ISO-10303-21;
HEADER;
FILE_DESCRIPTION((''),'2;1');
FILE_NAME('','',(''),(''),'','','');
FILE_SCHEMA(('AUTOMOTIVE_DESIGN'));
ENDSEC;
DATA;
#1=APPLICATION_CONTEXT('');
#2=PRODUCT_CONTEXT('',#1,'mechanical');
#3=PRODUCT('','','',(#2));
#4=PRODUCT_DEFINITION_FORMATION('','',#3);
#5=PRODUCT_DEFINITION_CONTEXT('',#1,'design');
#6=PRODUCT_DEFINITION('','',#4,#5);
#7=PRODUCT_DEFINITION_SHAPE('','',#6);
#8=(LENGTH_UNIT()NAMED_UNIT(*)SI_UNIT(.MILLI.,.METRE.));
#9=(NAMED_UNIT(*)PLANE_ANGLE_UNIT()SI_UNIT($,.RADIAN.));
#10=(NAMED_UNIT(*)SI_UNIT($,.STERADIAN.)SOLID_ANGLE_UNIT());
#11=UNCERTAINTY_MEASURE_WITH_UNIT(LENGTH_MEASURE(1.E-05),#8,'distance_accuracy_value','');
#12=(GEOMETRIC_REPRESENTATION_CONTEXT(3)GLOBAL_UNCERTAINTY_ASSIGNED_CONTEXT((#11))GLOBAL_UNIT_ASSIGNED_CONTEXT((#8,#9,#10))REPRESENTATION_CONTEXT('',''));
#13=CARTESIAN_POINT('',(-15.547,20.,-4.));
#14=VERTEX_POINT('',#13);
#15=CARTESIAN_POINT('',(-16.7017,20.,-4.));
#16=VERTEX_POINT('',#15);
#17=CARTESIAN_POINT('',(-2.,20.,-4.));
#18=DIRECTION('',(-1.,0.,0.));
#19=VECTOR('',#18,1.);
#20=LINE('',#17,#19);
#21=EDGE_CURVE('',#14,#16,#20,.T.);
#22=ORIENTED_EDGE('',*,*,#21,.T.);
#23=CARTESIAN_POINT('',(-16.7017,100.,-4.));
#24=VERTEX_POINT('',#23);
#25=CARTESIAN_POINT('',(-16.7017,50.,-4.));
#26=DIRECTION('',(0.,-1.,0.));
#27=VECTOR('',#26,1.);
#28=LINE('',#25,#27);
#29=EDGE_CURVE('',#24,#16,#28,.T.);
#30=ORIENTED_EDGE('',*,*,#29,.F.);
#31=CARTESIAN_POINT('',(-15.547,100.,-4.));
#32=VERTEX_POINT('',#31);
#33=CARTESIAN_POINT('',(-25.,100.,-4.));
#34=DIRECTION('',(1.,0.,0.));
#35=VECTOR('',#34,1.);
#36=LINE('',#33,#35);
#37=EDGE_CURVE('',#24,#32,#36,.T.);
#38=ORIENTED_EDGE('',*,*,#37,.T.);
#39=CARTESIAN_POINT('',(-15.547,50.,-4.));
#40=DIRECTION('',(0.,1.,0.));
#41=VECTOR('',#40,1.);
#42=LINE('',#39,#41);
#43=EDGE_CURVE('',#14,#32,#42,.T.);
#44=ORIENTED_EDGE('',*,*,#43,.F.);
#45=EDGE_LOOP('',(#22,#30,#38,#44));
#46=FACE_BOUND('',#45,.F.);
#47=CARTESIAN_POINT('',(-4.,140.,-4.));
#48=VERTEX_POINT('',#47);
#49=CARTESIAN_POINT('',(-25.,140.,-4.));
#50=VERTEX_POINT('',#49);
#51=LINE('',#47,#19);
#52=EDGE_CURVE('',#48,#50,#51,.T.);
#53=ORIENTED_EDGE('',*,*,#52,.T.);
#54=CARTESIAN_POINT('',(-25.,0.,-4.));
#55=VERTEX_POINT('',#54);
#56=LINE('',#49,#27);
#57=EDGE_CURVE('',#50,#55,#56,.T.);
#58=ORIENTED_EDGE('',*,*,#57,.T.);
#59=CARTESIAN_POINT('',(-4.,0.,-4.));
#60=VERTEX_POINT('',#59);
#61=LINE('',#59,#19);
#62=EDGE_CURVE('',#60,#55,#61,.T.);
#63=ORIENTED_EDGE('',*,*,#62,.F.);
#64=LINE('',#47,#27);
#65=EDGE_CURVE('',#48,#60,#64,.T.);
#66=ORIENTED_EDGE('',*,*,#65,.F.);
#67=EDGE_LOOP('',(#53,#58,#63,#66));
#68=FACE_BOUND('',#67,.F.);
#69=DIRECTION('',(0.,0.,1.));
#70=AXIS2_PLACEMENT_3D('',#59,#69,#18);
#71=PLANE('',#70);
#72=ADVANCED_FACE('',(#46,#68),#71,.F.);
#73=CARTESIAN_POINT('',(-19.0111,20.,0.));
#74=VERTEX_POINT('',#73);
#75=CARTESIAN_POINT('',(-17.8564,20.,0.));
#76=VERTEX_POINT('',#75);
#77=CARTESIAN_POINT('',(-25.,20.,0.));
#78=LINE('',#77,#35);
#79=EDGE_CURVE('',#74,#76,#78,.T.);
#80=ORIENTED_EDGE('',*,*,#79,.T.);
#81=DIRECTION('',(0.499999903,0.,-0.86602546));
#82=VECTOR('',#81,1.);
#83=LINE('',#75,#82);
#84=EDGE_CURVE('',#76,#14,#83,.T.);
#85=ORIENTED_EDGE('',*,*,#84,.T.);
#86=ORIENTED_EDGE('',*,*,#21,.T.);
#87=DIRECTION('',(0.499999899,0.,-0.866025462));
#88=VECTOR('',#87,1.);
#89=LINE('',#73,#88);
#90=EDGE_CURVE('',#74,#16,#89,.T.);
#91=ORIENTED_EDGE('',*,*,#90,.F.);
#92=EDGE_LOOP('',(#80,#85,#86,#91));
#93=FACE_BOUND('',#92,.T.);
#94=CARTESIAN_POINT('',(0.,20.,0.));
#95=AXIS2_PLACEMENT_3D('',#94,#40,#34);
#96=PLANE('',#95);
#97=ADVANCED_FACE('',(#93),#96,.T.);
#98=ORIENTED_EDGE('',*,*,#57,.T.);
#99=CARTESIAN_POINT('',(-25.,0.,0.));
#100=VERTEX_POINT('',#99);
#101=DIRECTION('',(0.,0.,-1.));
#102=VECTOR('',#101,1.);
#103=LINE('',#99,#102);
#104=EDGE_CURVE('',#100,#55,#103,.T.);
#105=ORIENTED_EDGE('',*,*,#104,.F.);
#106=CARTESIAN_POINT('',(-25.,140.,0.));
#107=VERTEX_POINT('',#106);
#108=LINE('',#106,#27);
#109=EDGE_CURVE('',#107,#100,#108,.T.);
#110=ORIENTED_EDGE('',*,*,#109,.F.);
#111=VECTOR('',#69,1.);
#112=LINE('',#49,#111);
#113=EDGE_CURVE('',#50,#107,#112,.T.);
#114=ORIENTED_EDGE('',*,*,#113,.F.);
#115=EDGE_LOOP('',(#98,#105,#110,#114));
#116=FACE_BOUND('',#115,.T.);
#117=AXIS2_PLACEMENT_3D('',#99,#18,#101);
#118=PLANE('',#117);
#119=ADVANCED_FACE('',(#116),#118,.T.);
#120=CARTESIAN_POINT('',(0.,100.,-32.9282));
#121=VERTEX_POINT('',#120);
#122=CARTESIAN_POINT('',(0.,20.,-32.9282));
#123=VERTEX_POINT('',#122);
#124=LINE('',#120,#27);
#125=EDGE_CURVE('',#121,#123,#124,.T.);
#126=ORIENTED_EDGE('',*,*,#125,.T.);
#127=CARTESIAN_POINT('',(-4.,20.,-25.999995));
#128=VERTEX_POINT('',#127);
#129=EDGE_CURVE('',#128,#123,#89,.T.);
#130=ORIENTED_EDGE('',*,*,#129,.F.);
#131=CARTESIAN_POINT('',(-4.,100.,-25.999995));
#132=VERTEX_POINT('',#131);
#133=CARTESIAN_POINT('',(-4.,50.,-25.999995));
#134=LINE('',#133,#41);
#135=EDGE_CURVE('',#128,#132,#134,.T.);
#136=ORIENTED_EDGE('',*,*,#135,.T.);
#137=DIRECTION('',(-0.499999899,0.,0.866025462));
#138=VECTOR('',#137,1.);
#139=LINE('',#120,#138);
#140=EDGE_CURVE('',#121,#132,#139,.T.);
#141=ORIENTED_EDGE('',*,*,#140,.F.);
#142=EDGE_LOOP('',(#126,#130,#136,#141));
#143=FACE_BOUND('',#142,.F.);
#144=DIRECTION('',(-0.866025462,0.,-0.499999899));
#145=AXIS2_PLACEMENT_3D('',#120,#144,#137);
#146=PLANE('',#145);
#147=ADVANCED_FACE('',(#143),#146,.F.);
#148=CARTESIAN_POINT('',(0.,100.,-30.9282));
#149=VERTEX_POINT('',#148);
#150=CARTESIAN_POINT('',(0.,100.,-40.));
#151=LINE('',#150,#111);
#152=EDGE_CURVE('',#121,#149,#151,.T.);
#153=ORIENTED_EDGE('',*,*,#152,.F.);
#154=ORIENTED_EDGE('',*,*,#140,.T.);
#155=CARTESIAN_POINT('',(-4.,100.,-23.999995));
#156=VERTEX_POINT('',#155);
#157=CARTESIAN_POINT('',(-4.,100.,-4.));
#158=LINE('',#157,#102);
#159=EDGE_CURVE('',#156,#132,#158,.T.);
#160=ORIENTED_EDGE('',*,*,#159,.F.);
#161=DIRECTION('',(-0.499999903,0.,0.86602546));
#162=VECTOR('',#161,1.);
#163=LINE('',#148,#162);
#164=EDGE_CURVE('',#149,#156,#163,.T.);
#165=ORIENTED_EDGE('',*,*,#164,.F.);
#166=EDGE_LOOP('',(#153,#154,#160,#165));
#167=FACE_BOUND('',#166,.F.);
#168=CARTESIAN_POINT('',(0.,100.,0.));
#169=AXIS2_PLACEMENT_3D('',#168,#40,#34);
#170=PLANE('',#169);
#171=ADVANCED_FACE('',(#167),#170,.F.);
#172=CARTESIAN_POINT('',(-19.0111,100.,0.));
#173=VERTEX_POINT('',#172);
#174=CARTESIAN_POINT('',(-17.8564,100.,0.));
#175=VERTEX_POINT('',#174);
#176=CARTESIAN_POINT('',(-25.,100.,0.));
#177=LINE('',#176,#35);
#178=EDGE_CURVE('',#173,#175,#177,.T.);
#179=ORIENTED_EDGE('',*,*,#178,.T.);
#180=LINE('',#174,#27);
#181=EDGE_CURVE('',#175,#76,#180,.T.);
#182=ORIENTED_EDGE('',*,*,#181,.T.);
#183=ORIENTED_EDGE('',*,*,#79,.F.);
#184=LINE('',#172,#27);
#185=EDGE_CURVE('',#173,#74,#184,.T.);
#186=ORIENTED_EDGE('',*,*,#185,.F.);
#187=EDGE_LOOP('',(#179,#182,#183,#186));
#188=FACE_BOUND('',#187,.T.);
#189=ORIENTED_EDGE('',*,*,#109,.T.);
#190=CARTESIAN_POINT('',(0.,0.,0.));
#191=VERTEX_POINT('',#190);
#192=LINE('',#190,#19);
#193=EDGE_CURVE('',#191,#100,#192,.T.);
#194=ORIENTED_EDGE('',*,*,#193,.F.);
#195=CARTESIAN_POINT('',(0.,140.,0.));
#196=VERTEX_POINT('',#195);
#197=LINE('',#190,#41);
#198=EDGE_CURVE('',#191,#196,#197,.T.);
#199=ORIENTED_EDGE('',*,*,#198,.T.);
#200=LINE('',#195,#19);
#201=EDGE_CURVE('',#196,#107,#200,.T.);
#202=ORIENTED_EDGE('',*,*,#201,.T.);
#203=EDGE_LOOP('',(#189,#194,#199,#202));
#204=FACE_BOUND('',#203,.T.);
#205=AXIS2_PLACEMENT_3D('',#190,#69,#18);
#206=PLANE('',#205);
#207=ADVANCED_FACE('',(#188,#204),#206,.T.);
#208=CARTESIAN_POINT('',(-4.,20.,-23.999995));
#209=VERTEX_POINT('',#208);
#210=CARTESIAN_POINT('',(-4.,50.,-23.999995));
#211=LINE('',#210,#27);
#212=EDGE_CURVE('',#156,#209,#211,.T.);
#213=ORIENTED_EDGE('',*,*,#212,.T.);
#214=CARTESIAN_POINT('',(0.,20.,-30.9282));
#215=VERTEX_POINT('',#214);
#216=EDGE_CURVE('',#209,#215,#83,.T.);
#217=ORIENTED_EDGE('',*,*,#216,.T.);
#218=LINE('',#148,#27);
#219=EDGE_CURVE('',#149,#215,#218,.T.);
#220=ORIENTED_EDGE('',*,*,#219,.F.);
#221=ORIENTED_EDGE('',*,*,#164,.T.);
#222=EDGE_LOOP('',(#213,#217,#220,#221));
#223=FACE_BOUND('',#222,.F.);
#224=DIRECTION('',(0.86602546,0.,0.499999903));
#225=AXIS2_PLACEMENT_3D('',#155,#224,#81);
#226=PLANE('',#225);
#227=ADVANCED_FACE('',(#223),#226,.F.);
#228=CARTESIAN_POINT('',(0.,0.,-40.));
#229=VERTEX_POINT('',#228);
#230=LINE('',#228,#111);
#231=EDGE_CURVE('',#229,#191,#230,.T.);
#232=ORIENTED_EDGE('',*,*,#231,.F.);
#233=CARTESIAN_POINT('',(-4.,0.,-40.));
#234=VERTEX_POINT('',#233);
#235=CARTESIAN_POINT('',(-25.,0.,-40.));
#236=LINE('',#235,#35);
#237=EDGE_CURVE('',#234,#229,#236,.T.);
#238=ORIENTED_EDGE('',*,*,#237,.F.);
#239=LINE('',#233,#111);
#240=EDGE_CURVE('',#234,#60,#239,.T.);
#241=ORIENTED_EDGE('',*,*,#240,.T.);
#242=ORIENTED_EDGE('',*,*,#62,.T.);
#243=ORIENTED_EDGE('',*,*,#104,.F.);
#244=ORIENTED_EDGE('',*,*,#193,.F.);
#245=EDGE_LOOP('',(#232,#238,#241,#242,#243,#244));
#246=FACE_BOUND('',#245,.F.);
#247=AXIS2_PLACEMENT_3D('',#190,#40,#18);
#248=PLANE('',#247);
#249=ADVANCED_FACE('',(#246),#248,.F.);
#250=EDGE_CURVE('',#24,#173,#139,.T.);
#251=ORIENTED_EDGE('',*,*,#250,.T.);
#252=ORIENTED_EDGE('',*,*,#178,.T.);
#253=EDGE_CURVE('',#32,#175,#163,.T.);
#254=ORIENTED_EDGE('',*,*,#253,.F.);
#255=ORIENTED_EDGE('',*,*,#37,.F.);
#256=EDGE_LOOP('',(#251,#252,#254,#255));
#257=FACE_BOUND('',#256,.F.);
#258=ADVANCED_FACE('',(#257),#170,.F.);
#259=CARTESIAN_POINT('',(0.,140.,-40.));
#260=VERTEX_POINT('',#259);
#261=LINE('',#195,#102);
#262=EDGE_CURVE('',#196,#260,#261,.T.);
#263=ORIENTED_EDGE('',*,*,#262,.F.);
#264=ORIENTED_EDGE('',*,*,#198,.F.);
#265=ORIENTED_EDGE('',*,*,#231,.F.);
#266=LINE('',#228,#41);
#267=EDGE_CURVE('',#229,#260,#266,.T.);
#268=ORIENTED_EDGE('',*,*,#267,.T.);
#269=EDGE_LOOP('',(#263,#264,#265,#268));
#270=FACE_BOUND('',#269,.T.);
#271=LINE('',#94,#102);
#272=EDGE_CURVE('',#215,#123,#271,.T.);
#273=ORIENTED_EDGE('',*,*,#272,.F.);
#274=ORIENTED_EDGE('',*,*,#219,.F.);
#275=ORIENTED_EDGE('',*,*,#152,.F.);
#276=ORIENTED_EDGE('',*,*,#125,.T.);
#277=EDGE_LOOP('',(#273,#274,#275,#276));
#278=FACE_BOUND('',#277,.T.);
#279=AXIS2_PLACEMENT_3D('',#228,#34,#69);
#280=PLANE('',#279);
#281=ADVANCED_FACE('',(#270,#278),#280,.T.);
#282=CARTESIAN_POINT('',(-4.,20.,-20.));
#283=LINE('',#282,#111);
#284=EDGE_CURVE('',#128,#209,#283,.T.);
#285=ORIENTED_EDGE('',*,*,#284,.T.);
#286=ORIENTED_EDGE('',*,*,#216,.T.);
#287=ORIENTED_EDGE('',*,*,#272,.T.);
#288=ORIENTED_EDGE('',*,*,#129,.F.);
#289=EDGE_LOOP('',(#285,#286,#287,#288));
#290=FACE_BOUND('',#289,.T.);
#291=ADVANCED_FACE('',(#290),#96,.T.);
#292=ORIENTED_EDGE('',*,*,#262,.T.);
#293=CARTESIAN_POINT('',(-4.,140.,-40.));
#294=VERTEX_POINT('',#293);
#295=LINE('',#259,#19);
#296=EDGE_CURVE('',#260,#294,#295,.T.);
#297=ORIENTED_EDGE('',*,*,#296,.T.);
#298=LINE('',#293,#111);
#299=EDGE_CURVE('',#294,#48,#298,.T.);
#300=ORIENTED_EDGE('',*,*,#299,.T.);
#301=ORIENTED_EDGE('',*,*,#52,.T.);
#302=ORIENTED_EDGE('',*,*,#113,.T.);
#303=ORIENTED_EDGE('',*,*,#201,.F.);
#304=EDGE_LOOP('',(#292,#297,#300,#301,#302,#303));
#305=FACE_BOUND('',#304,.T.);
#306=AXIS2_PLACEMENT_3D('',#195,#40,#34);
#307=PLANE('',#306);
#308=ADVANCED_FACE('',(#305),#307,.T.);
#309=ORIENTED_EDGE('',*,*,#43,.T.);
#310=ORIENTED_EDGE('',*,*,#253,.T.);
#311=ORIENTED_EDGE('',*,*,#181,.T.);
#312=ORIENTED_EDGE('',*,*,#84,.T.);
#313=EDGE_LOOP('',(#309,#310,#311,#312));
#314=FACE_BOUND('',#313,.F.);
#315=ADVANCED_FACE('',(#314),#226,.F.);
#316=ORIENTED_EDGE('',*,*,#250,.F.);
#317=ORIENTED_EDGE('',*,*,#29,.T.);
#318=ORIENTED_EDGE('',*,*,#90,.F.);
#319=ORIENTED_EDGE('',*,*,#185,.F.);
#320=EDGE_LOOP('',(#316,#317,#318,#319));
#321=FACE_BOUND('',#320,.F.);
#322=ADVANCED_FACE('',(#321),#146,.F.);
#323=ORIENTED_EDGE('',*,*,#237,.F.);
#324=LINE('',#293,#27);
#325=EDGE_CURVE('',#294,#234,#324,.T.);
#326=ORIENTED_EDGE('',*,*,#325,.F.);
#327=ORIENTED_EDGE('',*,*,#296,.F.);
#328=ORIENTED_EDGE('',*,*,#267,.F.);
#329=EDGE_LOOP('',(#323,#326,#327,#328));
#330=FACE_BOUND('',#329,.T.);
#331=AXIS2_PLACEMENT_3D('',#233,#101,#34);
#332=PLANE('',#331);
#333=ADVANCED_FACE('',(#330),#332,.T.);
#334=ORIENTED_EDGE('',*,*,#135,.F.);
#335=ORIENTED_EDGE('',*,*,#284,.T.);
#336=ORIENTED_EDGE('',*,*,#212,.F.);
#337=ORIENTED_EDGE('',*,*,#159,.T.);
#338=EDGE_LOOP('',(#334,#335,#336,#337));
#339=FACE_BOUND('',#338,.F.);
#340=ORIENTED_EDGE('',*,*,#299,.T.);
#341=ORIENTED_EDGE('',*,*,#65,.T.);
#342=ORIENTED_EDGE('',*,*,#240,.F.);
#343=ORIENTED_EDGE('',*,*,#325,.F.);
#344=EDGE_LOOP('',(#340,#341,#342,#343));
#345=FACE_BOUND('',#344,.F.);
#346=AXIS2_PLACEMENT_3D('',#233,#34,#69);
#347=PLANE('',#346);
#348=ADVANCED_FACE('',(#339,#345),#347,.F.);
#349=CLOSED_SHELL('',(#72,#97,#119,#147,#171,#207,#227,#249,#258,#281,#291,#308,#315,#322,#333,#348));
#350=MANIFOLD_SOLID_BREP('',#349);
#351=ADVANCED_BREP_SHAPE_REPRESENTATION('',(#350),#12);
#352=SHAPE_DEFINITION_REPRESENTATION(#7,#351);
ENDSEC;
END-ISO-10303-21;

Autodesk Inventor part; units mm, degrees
ref_plane "YZ Plane" through (0, 0, 0) normal (1, 0, 0) x (0, 1, 0)
ref_plane "XZ Plane" through (0, 0, 0) normal (0, 1, 0) x (-1, 0, 0)
ref_plane "XY Plane" through (0, 0, 0) normal (0, 0, 1) x (1, 0, 0)
sketch "Sketch1" plane through (0, 0, 0) normal (0, 1, 0) x (-1, 0, 0)
  line L0 (0, 0) -> (25, 0)
  line L1 (25, 0) -> (25, -40)
  line L2 (25, -40) -> (0, -40)
  line L3 (0, -40) -> (0, 0)
  line L4 (25, -40) -> (4, -40)
  line L5 (4, -40) -> (4, -4)
  line L6 (4, -4) -> (25, -4)
  line L7 (25, -4) -> (25, -40)
  point P0 (25, -4)
  dimension "d0" = 4
  dimension "d1" = 4
  dimension "d2" = 40
  dimension "d3" = 25
extrude "Extrusion1" add sketch "Sketch1" along normal blind 100 contours L0 L1 L6 L5 L2 L3
sketch "Sketch2" plane through (0, 100, 0) normal (0, 1, 0) x (1, 0, 0)
  line L0 (0, 0) -> (0, 40) projected
  line L1 (0, 40) -> (-4, 40) projected
  line L2 (-4, 40) -> (-4, 4) projected
  line L3 (-4, 4) -> (-25, 4) projected
  line L4 (-25, 4) -> (-25, 0) projected
  line L5 (-25, 0) -> (0, 0) projected
  line L6 (-25, 0) -> (0, 0) projected
  line L7 (-17.8564, 0) -> (0, 30.9282)
  line L8 (0, 0) -> (0, 40) projected
  line L9 (0, 32.9282) -> (-19.0111, 0)
  line L10 (-4, 40) -> (-4, 4) projected
  point P0 (-16.7017, 4)
  point P1 (-19.0111, 0)
  point P2 (-17.8564, 0)
  point P3 (-15.547, 4)
  point P4 (0, 32.9282)
  point P5 (-4, 26)
  point P6 (-4, 24)
  point P7 (0, 30.9282)
  point P8 (-4, 24)
  dimension "d7" = 30
  dimension "d8" = 1
  dimension "d11" = 20
extrude "Extrusion2" cut sketch "Sketch2" against normal blind 80 contours L7 L2 L9 L0 | L5 L9 L3 L7 | L7 L3 L9 L2
sketch "Sketch3" plane through (0, 100, 0) normal (0, 1, 0) x (1, 0, 0)
  line L0 (-19.0111, 0) -> (-16.7017, 4) projected
  line L1 (-16.7017, 4) -> (-25, 4) projected
  line L2 (-25, 4) -> (-25, 0) projected
  line L3 (-25, 0) -> (-19.0111, 0) projected
  line L4 (-15.547, 4) -> (-17.8564, 0) projected
  line L5 (-17.8564, 0) -> (0, 0) projected
  line L6 (0, 0) -> (0, 30.9282) projected
  line L7 (0, 30.9282) -> (-4, 24) projected
  line L8 (-4, 24) -> (-4, 4) projected
  line L9 (-4, 4) -> (-15.547, 4) projected
  line L10 (-4, 26) -> (0, 32.9282) projected
  line L11 (0, 32.9282) -> (0, 40) projected
  line L12 (0, 40) -> (-4, 40) projected
  line L13 (-4, 40) -> (-4, 26) projected
  line L14 (-16.7017, 4) -> (-15.547, 4) projected
  line L15 (-19.0111, 0) -> (-16.7017, 4) projected
  line L16 (-17.8564, 0) -> (-19.0111, 0) projected
  line L17 (-15.547, 4) -> (-17.8564, 0) projected
  line L18 (-4, 24) -> (-4, 26) projected
  line L19 (0, 30.9282) -> (-4, 24) projected
  line L20 (0, 32.9282) -> (0, 30.9282) projected
  line L21 (-4, 26) -> (0, 32.9282) projected
  point P0 (0, 32.9282)
extrude "Extrusion3" add sketch "Sketch3" along normal blind 40
properties part number "Knife_guide_30deg_20mm"
